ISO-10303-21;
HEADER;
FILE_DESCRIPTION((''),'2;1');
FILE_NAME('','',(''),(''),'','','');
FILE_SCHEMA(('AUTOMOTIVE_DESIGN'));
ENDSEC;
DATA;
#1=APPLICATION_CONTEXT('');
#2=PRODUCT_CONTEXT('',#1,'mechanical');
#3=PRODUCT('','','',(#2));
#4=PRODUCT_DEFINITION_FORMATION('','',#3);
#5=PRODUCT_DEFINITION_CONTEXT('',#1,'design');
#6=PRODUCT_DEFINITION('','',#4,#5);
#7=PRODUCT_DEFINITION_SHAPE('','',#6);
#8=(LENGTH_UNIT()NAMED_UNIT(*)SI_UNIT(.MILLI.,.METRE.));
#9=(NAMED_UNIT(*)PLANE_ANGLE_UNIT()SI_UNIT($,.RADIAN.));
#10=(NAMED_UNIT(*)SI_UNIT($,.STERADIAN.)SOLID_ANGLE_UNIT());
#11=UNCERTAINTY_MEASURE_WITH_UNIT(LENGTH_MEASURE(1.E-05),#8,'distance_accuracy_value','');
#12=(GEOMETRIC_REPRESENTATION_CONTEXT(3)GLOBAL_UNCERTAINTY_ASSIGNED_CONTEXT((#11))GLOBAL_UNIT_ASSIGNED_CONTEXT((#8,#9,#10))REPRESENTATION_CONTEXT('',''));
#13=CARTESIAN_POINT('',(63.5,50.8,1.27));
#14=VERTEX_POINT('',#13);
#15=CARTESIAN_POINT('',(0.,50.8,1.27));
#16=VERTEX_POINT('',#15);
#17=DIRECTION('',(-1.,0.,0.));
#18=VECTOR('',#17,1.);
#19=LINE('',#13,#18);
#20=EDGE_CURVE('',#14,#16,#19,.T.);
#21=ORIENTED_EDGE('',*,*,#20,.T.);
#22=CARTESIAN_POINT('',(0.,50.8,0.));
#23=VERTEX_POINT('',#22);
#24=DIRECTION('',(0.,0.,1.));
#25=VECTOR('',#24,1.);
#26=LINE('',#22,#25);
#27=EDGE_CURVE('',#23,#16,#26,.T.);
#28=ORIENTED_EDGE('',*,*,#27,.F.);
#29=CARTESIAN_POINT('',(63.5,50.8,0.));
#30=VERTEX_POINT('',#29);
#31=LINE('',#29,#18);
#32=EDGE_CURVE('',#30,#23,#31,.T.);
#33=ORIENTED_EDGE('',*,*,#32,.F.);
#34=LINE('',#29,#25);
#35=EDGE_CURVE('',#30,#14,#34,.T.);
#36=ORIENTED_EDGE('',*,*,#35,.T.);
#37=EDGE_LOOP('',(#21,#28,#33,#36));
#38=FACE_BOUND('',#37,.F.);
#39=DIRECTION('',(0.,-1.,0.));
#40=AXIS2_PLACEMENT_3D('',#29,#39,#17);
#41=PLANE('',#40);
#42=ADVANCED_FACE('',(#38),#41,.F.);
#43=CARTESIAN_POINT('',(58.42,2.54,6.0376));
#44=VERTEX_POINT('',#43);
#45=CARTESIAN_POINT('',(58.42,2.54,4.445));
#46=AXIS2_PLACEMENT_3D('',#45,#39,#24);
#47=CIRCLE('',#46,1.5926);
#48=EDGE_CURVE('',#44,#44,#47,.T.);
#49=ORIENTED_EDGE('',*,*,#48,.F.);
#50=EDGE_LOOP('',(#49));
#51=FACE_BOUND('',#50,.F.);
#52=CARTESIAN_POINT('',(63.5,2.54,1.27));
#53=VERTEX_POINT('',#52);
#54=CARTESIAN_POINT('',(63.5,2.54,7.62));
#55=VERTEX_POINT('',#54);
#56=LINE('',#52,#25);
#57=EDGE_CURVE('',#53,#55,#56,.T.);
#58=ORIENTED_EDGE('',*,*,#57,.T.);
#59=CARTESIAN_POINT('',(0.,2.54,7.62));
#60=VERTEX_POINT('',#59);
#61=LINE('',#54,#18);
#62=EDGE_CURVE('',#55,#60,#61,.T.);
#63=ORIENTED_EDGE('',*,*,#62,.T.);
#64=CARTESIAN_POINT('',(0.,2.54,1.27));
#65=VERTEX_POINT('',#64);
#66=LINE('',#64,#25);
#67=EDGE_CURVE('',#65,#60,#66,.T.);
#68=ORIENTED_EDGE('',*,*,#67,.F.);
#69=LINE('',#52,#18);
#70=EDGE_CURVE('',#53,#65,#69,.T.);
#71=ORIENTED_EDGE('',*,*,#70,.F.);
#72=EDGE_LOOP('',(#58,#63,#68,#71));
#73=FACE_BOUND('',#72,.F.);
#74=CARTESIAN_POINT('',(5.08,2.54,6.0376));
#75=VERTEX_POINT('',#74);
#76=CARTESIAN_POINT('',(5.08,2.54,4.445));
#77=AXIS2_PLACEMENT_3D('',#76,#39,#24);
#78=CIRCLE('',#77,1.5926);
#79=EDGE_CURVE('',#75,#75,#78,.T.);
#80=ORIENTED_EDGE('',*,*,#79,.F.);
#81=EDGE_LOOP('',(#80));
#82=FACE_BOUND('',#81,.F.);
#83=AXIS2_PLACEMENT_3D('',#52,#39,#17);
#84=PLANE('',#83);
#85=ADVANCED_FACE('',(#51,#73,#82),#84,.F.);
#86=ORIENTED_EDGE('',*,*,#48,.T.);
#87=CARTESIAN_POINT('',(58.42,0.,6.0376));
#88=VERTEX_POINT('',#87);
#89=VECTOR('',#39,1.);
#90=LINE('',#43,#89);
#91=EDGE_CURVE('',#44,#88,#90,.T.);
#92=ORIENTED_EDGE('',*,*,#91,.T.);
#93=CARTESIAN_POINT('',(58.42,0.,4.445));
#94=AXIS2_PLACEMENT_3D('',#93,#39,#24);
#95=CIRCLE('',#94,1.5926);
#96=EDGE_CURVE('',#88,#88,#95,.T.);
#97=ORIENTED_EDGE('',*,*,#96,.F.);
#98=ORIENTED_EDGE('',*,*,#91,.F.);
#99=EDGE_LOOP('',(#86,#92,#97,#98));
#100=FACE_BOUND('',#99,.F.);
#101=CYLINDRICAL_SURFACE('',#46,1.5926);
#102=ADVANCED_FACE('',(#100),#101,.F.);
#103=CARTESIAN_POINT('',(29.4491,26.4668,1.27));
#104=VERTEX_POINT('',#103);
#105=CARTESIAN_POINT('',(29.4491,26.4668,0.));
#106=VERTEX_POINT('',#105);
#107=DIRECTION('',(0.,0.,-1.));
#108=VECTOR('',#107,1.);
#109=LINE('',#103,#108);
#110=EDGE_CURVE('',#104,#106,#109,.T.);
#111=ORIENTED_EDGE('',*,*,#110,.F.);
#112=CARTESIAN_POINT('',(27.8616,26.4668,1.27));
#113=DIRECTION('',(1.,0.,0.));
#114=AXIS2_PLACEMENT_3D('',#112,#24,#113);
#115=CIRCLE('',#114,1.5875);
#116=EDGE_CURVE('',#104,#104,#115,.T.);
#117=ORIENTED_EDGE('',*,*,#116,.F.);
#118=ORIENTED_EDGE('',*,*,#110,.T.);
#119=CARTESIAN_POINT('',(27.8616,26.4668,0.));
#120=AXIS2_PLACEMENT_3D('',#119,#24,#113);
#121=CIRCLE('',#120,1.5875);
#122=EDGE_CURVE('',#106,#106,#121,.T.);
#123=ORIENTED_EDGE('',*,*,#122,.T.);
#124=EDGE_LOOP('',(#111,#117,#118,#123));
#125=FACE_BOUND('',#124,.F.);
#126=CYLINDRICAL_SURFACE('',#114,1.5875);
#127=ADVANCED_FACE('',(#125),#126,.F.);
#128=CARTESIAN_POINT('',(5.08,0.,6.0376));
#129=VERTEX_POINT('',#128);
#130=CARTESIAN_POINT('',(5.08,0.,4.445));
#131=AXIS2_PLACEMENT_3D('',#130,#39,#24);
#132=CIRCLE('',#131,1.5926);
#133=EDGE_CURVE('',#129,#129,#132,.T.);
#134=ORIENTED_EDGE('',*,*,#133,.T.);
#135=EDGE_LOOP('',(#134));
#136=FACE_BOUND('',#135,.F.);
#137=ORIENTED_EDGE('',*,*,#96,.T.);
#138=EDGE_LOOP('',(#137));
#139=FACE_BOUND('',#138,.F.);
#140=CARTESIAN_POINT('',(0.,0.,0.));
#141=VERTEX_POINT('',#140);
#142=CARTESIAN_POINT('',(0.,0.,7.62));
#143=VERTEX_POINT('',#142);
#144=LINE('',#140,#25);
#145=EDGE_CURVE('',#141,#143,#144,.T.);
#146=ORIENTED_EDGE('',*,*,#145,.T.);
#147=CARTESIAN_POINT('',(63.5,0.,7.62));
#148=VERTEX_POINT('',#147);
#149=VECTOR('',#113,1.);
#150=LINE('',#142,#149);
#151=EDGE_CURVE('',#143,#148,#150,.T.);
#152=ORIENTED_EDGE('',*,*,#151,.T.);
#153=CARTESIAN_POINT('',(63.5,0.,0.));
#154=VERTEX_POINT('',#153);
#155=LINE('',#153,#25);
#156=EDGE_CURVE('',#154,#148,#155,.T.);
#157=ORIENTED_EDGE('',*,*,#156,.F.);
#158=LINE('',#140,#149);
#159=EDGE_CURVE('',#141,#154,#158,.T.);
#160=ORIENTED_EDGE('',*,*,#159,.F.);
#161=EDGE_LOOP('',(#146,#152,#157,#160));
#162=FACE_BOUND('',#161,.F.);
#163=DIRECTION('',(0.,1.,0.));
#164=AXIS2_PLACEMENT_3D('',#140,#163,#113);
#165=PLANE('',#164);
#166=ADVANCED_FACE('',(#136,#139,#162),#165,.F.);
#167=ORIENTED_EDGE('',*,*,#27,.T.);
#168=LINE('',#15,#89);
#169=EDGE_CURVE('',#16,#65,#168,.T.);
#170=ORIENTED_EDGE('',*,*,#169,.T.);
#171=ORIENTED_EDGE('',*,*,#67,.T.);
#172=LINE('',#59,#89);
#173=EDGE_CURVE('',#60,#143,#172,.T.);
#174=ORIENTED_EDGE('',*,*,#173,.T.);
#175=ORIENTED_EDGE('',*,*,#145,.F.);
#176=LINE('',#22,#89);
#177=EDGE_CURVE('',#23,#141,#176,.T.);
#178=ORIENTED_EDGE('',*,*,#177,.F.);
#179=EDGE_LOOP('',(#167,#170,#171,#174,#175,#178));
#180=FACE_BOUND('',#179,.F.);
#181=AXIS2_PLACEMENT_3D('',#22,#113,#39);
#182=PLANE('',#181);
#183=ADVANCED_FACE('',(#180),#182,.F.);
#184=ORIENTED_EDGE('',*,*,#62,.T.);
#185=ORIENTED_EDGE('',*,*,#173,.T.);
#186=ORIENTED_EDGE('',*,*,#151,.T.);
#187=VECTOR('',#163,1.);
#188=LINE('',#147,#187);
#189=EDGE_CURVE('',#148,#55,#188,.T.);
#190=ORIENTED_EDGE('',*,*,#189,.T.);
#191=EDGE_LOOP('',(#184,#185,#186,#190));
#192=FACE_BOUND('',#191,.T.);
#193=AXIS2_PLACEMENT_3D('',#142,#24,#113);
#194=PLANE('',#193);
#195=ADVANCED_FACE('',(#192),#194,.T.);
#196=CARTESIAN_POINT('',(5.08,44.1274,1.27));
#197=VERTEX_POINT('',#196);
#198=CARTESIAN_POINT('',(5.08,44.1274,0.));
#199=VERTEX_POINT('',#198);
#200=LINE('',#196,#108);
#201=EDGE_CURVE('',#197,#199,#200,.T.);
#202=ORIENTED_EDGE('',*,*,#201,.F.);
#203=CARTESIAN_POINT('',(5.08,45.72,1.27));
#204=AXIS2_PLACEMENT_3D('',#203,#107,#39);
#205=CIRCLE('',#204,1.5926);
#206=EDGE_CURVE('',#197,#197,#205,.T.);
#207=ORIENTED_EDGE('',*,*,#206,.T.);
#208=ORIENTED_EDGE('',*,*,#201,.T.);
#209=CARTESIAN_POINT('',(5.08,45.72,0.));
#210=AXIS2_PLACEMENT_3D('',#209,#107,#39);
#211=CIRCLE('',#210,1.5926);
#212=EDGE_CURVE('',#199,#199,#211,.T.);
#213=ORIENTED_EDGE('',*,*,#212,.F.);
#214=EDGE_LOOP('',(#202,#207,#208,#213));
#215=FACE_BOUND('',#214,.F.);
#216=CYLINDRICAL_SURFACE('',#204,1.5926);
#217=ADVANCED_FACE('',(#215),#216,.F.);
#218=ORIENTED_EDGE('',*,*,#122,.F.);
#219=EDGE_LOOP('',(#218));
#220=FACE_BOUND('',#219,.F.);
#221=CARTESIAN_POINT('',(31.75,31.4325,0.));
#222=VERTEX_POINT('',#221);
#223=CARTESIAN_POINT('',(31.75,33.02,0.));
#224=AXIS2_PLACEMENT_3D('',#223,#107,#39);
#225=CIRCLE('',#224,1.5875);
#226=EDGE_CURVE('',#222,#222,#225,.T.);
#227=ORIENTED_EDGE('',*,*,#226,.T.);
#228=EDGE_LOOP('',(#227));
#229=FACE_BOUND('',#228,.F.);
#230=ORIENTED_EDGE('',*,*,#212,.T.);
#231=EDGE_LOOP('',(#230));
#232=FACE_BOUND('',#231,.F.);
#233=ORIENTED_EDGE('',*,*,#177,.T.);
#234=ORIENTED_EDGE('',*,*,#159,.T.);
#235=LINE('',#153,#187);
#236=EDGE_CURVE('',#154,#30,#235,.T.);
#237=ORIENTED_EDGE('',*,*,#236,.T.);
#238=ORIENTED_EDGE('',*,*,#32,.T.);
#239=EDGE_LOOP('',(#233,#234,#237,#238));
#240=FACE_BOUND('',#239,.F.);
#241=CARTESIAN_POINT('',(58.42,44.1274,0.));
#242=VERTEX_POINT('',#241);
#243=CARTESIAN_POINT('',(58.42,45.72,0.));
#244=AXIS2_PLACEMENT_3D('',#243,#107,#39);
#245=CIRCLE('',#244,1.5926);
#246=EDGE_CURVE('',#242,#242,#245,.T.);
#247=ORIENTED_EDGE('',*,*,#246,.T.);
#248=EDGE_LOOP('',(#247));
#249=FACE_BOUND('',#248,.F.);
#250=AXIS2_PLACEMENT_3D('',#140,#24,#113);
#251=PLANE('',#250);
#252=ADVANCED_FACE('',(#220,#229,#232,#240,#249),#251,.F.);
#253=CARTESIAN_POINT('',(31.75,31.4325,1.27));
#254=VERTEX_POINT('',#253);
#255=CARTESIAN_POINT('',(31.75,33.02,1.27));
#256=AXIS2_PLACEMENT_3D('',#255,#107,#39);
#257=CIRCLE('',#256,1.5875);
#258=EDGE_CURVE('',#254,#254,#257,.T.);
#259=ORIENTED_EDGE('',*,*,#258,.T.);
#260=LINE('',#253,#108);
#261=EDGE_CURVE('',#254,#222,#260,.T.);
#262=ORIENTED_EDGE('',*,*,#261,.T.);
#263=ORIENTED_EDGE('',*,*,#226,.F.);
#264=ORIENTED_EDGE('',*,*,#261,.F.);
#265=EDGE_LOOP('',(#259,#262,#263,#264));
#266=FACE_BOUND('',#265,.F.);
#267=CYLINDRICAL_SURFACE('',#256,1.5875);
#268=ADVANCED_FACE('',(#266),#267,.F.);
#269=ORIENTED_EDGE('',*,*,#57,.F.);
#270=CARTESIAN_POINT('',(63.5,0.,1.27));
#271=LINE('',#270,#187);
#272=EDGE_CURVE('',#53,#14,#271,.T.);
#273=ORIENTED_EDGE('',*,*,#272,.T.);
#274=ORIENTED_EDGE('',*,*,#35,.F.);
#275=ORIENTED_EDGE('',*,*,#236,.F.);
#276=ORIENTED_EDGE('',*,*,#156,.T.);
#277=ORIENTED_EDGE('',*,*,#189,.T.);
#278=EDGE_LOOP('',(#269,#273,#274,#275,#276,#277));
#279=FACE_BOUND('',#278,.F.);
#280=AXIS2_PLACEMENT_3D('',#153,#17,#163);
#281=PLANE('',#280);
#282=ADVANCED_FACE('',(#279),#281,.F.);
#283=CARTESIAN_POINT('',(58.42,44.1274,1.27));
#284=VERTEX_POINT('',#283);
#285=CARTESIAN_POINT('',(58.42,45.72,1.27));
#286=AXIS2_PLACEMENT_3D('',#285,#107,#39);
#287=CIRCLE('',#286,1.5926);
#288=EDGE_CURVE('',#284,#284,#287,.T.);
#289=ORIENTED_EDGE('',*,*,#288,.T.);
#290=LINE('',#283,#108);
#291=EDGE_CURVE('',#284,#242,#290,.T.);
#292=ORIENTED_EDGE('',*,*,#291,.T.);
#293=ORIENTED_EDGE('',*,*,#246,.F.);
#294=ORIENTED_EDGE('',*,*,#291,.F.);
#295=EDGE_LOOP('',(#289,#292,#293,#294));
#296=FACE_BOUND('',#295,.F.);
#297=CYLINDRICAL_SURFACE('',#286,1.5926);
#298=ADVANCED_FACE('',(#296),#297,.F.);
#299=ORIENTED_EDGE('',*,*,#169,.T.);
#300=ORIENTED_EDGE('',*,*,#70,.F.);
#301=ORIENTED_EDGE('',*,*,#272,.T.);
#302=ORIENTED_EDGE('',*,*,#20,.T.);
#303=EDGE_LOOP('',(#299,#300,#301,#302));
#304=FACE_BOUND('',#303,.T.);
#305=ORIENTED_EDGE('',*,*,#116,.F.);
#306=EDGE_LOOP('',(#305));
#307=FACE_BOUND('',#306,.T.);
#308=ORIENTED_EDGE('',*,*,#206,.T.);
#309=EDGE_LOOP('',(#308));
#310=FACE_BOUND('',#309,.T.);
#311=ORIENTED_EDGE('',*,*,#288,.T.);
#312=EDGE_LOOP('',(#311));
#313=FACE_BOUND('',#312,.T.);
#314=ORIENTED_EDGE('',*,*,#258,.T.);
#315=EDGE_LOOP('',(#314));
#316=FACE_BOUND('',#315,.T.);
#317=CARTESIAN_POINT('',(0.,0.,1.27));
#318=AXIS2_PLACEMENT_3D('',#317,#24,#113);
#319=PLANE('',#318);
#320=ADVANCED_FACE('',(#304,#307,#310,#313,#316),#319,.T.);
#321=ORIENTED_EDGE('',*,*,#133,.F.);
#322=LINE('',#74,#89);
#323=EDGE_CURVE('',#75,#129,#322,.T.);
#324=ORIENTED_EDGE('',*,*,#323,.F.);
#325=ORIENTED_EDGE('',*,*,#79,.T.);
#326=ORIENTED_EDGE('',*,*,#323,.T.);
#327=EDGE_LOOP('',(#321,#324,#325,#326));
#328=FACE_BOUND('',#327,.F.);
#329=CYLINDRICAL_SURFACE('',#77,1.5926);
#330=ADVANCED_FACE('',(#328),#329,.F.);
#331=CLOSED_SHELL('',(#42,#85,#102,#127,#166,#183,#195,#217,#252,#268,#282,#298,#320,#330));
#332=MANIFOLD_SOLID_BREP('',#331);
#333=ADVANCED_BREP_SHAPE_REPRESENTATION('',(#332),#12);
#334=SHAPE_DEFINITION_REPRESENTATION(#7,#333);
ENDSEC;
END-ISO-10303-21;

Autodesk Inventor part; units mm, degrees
ref_plane "YZ Plane" through (0, 0, 0) normal (1, 0, 0) x (0, 1, 0)
ref_plane "XZ Plane" through (0, 0, 0) normal (0, 1, 0) x (-1, 0, 0)
ref_plane "XY Plane" through (0, 0, 0) normal (0, 0, 1) x (1, 0, 0)
sketch "Sketch1" plane through (0, 0, 0) normal (0, 0, 1) x (1, 0, 0)
  line L0 (0, 0) -> (63.5, 0)
  line L1 (63.5, 0) -> (63.5, 50.8)
  line L2 (63.5, 50.8) -> (0, 50.8)
  line L3 (0, 50.8) -> (0, 0)
  dimension "d0" = 50.8
  dimension "d1" = 63.5
extrude "Extrusion1" add sketch "Sketch1" along normal blind 1.27
sketch "Sketch2" plane through (0, 0, 1.27) normal (0, 0, 1) x (1, 0, 0)
  line L0 (63.5, 0) -> (63.5, 50.8) projected
  line L1 (0, 0) -> (63.5, 0)
  line L2 (63.5, 0) -> (63.5, 2.54)
  line L3 (63.5, 2.54) -> (0, 2.54)
  line L4 (0, 2.54) -> (0, 0)
  dimension "d4" = 2.54
extrude "Extrusion2" add sketch "Sketch2" along normal blind 6.35
sketch "Sketch3" plane through (0, 0, 1.27) normal (0, 0, 1) x (1, 0, 0)
  line L0 (63.5, 50.8) -> (0, 50.8) projected
  line L1 (63.5, 2.54) -> (63.5, 50.8) projected
  point P0 (0, 0)
  point P1 (31.75, 33.02)
  dimension "d7" = 17.78
  dimension "d8" = 31.75
hole "Hole1" at (31.75, 33.02, 1.27) direction (0, 0, -1) diameter 3.175 depth 25.4 tip angle 118
sketch "Sketch4" plane through (0, 0, 1.27) normal (0, 0, 1) x (1, 0, 0)
  line L0 (0, 50.8) -> (0, 2.54) projected
  line L1 (63.5, 2.54) -> (63.5, 50.8) projected
  line L2 (63.5, 50.8) -> (0, 50.8) projected
  point P0 (0, 0)
  point P1 (5.08, 45.72)
  point P2 (58.42, 45.72)
  dimension "d16" = 5.08
  dimension "d17" = 5.08
  dimension "d18" = 5.08
  dimension "d19" = 5.08
hole "Hole2" at (5.08, 45.72, 1.27) at (58.42, 45.72, 1.27) direction (0, 0, -1) diameter 3.1852 depth 25.4 tip angle 118
sketch "Sketch5" plane through (0, 2.54, 1.27) normal (0, 1, 0) x (1, 0, 0)
  line L0 (63.5, -6.35) -> (0, -6.35) projected
  line L1 (0, 0) -> (0, -6.35) projected
  line L2 (63.5, 0) -> (63.5, -6.35) projected
  point P0 (0, 1.27)
  point P1 (5.08, -3.175)
  point P2 (58.42, -3.175)
  dimension "d27" = 3.175
  dimension "d28" = 5.08
  dimension "d29" = 3.175
  dimension "d30" = 5.08
hole "Hole3" at (5.08, 2.54, 4.445) at (58.42, 2.54, 4.445) direction (0, -1, 0) diameter 3.1852 depth 25.4 tip angle 118
sketch "Sketch6" plane through (0, 0, 1.27) normal (0, 0, 1) x (1, 0, 0)
  circle A0 centre (31.75, 33.02) radius 1.5875 construction
  circle A1 centre (31.75, 33.02) radius 3.81 construction
  circle A2 centre (27.8616, 26.4668) radius 3.81 construction
  line L0 (63.5, 2.54) -> (0, 2.54) construction
  circle A3 centre (27.8616, 26.4668) radius 1.5875
  line L1 (0, 0) -> (63.5, 0) projected
  dimension "d39" = 7.62
  dimension "d40" = 7.62
  dimension "d42" = 3.175
  dimension "d47" = 26.4668
extrude "Extrusion3" cut sketch "Sketch6" against normal blind 25.4
properties part number "000110-1"
